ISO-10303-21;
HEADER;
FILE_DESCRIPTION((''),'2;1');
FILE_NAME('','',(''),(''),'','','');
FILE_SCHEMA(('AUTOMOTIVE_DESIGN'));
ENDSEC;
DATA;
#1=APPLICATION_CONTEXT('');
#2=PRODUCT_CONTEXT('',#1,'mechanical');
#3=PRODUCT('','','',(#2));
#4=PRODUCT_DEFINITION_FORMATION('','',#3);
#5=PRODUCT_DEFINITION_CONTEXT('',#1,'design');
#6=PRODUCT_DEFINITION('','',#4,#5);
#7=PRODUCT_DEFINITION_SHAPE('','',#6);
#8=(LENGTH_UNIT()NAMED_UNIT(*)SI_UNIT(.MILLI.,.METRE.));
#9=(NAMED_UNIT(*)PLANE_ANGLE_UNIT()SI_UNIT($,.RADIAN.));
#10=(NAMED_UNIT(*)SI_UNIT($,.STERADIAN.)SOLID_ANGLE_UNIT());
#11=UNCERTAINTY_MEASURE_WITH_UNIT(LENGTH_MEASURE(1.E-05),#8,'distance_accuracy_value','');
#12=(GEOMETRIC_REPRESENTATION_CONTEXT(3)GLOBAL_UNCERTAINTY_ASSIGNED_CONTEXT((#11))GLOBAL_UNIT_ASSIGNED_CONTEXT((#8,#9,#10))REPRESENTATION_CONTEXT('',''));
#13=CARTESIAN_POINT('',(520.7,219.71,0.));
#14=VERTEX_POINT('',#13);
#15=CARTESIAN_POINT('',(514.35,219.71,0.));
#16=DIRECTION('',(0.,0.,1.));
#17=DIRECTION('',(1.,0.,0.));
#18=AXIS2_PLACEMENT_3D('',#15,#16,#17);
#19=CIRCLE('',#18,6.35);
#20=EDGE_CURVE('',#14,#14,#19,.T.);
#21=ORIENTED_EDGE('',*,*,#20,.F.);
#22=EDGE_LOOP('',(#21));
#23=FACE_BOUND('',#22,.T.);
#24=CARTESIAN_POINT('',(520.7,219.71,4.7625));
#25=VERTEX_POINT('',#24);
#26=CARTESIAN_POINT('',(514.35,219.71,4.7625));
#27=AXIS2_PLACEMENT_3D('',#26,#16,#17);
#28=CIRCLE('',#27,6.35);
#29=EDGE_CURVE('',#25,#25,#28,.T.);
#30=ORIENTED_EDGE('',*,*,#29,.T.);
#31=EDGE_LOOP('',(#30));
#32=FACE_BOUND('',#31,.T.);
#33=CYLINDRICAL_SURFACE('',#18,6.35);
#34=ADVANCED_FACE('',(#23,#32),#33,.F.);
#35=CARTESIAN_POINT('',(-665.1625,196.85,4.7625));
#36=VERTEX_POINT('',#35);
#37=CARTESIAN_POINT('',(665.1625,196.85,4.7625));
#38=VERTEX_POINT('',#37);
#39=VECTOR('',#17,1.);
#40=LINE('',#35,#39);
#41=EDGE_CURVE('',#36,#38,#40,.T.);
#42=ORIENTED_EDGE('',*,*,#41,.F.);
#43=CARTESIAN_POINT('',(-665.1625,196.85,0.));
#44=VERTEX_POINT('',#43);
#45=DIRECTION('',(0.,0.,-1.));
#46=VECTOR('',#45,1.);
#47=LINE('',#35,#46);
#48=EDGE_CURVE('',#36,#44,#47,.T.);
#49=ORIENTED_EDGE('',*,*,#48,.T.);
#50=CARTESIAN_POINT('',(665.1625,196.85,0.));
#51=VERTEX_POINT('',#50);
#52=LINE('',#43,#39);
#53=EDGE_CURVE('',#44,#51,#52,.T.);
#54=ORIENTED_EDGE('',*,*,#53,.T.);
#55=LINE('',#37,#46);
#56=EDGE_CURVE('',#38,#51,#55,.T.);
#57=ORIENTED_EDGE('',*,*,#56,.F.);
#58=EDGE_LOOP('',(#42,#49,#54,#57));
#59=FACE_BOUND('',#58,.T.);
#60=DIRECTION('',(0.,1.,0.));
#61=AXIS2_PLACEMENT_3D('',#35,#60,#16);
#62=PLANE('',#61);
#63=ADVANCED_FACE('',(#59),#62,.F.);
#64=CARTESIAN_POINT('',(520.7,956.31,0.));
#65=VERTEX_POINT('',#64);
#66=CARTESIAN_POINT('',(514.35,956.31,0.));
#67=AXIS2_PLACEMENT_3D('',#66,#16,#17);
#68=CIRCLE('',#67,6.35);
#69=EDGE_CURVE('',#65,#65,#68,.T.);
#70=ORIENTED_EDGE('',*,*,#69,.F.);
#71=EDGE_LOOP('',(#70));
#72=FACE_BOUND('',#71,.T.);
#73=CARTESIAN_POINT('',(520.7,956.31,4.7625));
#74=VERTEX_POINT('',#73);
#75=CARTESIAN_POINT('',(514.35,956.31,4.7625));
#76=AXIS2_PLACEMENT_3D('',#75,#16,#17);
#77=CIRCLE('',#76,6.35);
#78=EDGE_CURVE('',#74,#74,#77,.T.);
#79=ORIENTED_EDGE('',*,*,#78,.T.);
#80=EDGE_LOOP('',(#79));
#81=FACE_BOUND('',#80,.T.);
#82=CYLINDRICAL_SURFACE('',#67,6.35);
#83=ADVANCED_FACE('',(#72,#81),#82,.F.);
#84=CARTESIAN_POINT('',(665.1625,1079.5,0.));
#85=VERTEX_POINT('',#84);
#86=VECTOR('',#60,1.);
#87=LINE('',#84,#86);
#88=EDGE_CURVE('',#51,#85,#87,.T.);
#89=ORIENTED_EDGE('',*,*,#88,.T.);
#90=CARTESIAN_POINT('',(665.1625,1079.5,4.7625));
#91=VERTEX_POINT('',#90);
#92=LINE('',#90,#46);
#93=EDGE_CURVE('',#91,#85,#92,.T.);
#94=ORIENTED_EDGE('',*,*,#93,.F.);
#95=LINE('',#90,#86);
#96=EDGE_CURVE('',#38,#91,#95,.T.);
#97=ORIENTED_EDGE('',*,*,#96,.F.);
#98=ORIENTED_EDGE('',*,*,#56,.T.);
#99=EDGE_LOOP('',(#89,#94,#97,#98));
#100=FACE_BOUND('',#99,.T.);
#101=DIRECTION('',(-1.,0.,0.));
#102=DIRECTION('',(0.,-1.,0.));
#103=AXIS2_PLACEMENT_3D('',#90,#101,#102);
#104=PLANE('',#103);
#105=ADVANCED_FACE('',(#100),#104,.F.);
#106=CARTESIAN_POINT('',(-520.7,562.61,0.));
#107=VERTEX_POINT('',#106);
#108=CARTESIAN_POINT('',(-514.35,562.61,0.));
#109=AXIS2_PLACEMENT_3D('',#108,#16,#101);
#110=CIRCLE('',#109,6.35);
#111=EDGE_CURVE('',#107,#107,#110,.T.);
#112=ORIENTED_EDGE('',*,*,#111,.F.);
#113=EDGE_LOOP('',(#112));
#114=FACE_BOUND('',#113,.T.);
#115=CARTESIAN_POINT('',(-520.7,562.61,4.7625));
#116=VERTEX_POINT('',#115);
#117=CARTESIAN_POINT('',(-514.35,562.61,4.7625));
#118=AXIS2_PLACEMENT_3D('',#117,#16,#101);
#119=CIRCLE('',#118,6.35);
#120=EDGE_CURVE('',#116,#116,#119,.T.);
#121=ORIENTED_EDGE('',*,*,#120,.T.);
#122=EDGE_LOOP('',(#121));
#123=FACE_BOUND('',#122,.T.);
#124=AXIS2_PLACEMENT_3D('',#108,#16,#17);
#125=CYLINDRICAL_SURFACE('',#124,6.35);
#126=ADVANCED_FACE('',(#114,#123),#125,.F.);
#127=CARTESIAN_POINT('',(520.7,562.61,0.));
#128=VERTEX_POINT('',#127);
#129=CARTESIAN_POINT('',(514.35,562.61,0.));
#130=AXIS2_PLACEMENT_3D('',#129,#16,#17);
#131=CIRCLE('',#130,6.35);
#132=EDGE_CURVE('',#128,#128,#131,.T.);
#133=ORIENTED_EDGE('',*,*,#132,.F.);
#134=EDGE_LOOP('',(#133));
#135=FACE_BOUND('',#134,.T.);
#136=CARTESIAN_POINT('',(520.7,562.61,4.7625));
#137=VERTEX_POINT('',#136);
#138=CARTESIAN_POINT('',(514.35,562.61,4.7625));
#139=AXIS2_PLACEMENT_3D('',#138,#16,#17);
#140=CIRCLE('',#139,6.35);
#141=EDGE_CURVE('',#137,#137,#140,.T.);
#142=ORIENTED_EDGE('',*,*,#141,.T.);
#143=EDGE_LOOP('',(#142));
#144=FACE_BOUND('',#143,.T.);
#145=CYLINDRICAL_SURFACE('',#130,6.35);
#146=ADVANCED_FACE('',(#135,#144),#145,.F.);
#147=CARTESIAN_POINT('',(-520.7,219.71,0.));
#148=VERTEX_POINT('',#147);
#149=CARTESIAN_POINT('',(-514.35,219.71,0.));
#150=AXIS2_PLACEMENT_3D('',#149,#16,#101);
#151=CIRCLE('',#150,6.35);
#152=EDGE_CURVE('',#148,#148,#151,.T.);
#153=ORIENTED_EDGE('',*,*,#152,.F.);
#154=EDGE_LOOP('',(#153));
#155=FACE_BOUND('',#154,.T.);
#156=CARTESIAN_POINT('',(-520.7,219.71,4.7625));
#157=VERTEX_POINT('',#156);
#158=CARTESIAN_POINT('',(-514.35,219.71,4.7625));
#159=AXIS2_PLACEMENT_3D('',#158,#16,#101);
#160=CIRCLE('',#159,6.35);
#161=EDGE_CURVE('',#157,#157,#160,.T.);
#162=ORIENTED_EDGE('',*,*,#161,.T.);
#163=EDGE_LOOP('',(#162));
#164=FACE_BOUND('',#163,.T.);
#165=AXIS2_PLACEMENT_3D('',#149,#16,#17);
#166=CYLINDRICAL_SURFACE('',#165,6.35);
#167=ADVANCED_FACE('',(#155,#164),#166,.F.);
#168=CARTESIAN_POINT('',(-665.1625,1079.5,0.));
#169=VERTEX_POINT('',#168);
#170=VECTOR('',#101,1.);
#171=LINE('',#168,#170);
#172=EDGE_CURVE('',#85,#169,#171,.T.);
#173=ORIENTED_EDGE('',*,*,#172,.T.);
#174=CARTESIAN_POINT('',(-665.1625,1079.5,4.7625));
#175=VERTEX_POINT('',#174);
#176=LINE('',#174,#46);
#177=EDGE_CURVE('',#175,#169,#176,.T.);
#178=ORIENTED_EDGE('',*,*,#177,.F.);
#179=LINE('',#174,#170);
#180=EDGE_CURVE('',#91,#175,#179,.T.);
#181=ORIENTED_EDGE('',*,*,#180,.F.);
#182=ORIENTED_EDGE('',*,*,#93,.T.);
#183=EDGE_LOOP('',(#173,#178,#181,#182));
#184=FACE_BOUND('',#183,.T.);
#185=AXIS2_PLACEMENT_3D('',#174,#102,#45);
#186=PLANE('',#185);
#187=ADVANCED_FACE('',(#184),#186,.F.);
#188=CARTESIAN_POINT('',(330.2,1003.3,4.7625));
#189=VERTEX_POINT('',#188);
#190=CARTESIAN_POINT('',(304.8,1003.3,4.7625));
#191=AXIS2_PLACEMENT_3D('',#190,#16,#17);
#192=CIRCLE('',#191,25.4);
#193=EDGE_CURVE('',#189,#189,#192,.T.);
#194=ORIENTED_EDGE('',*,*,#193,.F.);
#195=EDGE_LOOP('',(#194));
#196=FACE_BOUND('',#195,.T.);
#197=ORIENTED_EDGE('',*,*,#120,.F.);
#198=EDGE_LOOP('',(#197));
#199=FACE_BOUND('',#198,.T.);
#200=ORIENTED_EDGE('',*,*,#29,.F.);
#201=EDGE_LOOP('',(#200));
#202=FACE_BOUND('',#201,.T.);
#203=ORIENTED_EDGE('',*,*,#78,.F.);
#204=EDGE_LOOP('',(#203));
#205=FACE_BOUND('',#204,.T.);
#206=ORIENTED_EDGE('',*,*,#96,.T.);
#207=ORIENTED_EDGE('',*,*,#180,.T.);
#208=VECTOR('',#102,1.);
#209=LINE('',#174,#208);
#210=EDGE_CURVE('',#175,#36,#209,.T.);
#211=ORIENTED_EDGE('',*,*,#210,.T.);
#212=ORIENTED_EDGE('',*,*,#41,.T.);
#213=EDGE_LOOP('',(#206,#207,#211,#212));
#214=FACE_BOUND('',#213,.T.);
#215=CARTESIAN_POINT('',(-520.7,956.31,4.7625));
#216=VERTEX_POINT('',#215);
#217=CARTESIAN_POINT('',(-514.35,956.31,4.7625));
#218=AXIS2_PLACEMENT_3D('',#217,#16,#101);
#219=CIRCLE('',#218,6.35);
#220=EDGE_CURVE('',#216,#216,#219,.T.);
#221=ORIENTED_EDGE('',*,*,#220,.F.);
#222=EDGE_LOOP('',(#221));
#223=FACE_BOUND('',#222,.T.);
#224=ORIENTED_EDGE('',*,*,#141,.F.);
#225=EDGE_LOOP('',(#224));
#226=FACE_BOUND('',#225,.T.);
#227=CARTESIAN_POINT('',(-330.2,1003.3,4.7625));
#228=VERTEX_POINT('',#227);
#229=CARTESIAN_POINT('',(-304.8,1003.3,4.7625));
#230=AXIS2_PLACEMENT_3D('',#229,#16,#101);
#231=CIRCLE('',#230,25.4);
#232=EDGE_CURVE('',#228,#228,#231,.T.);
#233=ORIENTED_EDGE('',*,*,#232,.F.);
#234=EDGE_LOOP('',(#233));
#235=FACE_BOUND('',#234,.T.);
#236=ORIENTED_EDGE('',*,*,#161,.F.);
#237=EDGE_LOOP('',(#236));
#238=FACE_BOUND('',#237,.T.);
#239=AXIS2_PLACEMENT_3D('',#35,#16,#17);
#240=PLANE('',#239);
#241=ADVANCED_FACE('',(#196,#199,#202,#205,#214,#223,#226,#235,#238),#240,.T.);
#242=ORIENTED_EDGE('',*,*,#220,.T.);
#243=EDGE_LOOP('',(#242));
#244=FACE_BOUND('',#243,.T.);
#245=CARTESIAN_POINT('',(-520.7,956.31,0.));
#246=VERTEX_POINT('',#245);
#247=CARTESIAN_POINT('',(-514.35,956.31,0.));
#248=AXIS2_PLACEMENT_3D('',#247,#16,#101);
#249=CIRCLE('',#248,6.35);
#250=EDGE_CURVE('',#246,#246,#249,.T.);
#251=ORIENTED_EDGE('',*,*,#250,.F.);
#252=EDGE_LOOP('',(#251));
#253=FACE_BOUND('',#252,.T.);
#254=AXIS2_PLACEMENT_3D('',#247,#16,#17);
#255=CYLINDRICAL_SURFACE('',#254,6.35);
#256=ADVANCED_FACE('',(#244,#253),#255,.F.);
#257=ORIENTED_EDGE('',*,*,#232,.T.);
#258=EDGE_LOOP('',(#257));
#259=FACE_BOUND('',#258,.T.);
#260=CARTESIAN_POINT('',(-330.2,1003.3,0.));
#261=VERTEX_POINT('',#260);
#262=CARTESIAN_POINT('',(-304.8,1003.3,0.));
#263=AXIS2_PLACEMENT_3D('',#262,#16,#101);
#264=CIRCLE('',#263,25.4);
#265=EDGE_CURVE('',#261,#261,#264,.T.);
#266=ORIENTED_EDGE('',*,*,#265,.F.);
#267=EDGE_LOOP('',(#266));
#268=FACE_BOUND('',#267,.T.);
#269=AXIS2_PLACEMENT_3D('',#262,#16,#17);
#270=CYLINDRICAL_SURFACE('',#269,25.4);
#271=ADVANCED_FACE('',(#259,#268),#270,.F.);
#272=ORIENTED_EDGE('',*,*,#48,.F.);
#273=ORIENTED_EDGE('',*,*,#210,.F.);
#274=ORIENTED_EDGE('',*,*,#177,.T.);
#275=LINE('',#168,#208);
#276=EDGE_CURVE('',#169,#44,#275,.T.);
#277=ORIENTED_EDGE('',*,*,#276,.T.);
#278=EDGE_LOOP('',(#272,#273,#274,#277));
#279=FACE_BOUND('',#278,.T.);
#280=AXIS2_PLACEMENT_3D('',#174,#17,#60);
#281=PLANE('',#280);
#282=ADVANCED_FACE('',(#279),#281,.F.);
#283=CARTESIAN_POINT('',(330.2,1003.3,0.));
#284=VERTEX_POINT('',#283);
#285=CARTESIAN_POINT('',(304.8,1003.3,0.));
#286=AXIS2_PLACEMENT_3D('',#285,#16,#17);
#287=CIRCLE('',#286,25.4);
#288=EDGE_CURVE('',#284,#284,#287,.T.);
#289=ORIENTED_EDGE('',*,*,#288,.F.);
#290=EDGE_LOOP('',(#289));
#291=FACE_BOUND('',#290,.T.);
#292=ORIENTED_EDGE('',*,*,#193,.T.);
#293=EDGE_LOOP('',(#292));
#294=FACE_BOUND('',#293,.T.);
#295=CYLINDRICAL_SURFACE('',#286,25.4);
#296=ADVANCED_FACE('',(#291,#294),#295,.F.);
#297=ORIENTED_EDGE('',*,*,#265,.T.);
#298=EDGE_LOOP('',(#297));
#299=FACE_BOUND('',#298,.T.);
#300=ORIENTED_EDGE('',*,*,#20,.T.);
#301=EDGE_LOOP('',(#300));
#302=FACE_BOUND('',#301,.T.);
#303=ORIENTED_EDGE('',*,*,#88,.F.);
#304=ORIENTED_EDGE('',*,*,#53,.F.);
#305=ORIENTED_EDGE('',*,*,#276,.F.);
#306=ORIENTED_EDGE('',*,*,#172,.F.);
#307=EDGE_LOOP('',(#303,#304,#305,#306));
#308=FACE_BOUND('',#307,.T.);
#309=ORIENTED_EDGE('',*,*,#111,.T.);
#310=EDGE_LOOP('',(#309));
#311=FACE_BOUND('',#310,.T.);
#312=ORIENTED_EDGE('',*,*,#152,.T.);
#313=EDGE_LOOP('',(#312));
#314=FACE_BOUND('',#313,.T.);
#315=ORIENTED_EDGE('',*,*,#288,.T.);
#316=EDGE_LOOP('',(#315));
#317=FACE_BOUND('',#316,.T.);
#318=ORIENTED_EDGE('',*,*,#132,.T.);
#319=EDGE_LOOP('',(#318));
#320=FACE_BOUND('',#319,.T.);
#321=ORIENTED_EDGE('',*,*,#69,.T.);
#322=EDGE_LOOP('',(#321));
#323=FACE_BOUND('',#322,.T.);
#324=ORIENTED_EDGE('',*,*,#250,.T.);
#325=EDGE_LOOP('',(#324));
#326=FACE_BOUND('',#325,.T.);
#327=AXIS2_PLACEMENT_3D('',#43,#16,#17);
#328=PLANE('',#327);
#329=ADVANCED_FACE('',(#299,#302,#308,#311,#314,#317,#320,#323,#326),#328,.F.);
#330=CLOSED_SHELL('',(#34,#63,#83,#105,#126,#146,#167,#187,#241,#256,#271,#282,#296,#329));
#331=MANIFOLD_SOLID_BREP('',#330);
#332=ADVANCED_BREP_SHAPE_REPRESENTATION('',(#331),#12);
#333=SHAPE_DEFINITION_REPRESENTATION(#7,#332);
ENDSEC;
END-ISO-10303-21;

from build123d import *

# Parameters (mm, degrees)
SKETCH1_W          = 1330.325
SKETCH1_H          = 882.65
EXTRUDE1_DEPTH     = 4.7625
SKETCH2_R          = 6.35
CUT_EXTRUDE1_DEPTH = 5.7625
SKETCH3_R          = 25.4
CUT_EXTRUDE2_DEPTH = 5.7625


with BuildPart() as part:
    # Sketch1 → Extrude1 (new body)
    with BuildSketch(Plane.XY):
        with Locations((0, 638.175)):
            Rectangle(SKETCH1_W, SKETCH1_H)
    extrude(amount=EXTRUDE1_DEPTH)

    # Sketch2 → Cut-Extrude1 (cut, through all)
    with BuildSketch(Plane.XY.offset(4.7625)):
        with Locations((514.35, 956.31)):
            Circle(SKETCH2_R)
        with Locations((514.35, 562.61)):
            Circle(SKETCH2_R)
        with Locations((514.35, 219.71)):
            Circle(SKETCH2_R)
        with Locations((-514.35, 219.71)):
            Circle(SKETCH2_R)
        with Locations((-514.35, 562.61)):
            Circle(SKETCH2_R)
        with Locations((-514.35, 956.31)):
            Circle(SKETCH2_R)
    extrude(amount=-CUT_EXTRUDE1_DEPTH, mode=Mode.SUBTRACT)

    # Sketch3 → Cut-Extrude2 (cut, through all)
    with BuildSketch(Plane.XY.offset(4.7625)):
        with Locations((304.8, 1003.3)):
            Circle(SKETCH3_R)
        with Locations((-304.8, 1003.3)):
            Circle(SKETCH3_R)
    extrude(amount=-CUT_EXTRUDE2_DEPTH, mode=Mode.SUBTRACT)


solid = part.part
